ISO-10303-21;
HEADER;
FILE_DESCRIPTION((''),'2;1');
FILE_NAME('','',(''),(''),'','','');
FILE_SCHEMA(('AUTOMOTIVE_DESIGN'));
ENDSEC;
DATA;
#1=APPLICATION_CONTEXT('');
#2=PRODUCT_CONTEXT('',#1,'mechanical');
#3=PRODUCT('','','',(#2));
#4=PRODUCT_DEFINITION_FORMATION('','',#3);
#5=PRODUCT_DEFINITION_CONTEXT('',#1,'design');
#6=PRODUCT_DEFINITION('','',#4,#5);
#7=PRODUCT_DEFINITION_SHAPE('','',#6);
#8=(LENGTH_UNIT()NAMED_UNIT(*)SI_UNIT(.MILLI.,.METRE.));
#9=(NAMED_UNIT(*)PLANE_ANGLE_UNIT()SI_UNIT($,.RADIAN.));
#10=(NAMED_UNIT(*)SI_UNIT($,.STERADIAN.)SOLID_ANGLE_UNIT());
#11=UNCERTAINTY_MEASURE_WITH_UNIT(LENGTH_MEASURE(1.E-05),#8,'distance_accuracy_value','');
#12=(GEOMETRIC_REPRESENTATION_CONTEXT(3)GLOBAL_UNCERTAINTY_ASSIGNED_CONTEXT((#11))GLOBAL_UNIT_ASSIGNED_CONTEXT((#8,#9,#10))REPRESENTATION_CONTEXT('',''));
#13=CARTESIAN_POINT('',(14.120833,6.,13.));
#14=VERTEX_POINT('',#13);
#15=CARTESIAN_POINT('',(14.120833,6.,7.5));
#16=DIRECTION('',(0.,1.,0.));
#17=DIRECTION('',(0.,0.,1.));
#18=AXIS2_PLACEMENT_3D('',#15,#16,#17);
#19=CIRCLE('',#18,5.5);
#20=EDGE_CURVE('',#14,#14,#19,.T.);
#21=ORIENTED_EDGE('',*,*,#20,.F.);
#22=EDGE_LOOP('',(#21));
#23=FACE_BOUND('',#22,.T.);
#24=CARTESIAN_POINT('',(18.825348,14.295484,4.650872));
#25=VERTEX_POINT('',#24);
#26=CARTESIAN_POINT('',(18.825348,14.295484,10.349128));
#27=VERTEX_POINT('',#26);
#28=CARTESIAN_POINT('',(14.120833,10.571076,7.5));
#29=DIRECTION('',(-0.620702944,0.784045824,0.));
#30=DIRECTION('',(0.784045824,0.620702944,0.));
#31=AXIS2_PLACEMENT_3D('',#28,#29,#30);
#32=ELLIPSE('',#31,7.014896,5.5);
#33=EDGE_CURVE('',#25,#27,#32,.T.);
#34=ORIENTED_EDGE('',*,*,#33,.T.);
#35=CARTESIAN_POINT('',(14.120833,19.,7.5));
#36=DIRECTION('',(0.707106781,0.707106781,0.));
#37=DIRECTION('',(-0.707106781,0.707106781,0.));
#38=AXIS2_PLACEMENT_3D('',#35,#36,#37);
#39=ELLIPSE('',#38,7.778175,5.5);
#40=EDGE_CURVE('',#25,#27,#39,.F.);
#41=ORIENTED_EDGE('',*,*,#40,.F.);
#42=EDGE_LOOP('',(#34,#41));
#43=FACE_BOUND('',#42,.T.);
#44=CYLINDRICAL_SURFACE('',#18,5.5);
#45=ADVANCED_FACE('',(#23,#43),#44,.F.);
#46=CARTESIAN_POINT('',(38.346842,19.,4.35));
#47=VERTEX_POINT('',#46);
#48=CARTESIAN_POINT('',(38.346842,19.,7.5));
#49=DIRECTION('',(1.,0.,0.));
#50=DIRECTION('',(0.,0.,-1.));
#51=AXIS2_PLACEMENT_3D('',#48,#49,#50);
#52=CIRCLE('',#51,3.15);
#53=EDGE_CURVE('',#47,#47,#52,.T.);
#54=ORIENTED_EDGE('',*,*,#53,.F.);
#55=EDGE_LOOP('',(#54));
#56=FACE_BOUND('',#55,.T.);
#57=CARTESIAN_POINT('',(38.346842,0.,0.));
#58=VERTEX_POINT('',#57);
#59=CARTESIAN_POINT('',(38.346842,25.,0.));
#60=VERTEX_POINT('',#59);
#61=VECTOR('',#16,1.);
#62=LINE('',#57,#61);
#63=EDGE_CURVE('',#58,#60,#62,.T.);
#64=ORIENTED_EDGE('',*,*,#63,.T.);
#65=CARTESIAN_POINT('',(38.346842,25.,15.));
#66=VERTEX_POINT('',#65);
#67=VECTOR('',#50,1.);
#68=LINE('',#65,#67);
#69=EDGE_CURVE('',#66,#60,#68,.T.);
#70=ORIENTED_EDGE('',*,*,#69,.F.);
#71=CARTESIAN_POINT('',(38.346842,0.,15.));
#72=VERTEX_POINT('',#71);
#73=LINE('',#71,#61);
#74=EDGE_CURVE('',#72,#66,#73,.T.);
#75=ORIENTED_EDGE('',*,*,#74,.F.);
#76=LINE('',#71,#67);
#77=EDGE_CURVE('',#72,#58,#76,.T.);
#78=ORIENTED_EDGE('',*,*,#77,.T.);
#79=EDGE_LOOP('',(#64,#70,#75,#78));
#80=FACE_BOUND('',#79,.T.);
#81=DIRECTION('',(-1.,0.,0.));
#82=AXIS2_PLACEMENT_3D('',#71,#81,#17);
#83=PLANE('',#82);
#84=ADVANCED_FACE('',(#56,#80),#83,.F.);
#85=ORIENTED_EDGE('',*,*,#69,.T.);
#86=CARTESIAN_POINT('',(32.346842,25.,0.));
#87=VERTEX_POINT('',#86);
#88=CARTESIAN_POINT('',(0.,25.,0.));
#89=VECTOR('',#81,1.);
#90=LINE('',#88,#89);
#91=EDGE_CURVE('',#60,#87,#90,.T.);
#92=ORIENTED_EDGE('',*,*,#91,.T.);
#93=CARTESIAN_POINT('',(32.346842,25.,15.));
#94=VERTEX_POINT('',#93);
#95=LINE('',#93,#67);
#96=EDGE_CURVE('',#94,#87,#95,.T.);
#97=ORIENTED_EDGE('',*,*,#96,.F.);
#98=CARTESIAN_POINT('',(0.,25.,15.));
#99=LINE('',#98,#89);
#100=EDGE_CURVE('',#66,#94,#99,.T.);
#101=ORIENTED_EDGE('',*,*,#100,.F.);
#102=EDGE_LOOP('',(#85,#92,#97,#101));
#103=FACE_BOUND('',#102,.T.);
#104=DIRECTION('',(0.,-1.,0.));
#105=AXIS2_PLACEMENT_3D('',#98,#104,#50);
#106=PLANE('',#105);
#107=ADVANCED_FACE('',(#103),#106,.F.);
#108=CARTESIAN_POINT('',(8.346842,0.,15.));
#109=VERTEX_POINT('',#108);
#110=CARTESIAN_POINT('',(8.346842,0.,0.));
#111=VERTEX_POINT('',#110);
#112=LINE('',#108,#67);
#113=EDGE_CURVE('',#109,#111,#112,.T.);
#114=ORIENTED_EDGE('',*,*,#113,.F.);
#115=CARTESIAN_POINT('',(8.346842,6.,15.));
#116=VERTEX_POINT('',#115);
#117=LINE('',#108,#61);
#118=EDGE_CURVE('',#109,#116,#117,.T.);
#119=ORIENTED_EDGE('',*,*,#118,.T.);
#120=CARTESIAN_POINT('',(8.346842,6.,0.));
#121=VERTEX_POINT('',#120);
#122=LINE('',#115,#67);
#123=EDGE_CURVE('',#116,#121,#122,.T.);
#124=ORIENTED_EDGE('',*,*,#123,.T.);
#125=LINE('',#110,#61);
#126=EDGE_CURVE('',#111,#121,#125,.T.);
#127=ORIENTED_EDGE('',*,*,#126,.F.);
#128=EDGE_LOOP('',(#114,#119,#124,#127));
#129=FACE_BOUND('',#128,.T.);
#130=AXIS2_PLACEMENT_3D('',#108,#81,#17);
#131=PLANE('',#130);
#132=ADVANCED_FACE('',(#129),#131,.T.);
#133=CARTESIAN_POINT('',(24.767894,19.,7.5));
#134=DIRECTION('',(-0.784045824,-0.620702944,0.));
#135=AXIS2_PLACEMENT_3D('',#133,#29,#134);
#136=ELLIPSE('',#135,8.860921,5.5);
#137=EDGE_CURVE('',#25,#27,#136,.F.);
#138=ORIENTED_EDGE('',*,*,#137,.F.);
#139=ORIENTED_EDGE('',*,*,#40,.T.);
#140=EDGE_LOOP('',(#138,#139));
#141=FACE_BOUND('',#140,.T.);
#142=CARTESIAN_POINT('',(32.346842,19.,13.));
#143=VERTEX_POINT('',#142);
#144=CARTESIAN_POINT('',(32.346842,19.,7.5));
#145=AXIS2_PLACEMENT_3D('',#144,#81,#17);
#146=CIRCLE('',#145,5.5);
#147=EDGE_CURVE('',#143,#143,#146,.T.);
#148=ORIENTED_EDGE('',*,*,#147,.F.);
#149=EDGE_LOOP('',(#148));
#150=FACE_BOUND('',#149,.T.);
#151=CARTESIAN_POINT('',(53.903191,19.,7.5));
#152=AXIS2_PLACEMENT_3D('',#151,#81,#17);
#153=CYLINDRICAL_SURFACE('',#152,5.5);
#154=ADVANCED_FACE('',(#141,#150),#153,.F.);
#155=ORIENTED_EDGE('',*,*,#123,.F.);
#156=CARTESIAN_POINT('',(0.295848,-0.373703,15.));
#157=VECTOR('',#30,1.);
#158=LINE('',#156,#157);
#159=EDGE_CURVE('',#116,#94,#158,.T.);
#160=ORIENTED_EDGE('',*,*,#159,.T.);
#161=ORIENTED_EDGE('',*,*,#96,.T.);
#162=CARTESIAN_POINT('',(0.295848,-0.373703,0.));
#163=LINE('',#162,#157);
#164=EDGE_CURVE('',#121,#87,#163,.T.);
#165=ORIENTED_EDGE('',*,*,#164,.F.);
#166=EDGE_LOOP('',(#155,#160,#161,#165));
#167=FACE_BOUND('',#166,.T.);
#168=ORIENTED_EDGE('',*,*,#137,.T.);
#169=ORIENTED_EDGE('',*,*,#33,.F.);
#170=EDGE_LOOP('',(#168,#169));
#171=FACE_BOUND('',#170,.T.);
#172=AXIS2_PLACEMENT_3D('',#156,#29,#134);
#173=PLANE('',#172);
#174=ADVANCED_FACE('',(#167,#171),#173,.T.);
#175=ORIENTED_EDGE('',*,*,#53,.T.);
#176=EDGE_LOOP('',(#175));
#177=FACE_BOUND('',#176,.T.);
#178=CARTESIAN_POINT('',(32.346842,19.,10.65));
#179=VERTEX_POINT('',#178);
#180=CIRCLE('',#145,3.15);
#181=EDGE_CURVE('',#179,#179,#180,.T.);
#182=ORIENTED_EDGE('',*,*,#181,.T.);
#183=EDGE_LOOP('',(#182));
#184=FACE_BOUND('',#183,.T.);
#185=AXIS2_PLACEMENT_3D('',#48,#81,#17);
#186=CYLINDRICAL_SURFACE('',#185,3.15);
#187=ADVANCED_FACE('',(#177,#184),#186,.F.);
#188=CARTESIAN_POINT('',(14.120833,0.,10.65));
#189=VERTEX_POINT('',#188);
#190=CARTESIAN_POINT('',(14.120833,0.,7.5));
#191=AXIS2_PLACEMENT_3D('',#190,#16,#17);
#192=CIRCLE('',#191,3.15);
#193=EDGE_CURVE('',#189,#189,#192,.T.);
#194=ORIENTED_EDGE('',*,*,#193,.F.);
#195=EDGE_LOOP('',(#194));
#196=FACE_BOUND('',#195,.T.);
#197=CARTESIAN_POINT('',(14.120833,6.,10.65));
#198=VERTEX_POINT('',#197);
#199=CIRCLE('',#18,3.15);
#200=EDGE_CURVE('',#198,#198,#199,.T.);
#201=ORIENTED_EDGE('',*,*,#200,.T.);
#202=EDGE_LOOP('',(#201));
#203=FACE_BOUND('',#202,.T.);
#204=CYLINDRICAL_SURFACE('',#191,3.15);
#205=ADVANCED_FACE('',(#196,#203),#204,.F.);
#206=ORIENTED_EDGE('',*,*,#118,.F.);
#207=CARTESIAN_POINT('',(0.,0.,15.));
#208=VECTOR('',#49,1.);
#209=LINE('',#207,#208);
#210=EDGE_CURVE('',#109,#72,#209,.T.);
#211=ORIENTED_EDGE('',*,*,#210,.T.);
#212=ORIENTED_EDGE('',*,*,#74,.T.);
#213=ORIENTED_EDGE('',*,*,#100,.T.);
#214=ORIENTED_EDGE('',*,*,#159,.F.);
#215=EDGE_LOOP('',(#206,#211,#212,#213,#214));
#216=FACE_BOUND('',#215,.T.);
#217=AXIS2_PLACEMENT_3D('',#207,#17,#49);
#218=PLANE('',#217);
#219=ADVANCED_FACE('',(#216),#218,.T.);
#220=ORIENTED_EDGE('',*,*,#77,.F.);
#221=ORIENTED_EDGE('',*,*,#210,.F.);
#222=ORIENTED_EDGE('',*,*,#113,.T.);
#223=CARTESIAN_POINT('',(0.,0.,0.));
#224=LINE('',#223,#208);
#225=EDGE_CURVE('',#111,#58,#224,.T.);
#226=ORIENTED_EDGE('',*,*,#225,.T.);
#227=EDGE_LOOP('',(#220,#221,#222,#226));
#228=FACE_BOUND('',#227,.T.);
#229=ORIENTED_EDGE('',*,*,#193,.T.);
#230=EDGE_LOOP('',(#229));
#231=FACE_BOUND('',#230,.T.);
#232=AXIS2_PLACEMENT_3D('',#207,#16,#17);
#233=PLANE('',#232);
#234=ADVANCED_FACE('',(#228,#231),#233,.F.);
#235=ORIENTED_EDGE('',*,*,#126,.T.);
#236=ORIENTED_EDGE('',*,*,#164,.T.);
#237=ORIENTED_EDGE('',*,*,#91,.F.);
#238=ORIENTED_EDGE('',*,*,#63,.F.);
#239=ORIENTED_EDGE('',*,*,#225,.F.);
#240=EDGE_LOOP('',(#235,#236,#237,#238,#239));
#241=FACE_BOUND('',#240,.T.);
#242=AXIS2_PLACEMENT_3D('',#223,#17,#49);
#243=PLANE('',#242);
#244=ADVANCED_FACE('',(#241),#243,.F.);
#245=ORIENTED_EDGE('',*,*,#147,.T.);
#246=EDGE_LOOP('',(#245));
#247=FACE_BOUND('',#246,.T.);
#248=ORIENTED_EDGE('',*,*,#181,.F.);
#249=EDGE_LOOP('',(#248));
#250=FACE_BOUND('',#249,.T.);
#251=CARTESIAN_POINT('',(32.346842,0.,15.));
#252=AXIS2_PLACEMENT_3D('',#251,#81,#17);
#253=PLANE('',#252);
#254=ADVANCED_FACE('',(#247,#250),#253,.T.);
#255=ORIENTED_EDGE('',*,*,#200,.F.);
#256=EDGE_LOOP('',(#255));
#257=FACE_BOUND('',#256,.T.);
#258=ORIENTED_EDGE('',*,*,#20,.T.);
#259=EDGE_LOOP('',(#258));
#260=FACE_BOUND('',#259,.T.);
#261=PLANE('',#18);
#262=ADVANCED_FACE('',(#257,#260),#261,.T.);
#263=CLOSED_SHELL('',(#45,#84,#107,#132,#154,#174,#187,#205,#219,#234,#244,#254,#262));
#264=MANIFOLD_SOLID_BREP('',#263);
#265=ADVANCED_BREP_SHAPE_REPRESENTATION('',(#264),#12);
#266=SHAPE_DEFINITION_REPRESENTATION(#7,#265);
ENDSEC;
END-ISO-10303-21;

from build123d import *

# Parameters (mm, degrees)
BOSS_EXTRUDE2_DEPTH = 15
SKETCH4_R           = 3.15
CUT_EXTRUDE1_DEPTH  = 46.776415929
SKETCH4_3_R         = 5.5
SKETCH4_3_R_2       = 3.15
CUT_EXTRUDE2_DEPTH  = 14
SKETCH6_R           = 3.15
CUT_EXTRUDE3_DEPTH  = 49.171363436
SKETCH6_3_R         = 5.5
SKETCH6_3_R_2       = 3.15
CUT_EXTRUDE4_DEPTH  = 32.34684153


with BuildPart() as part:
    # Sketch3 → Boss-Extrude2 (new body)
    with BuildSketch(Plane.XY):
        Polygon((8.34684153, 0), (38.34684153, 0), (38.34684153, 25), (32.34684153, 25), (8.34684153, 6), align=None)
    extrude(amount=BOSS_EXTRUDE2_DEPTH)

    # Sketch4 → Cut-Extrude1 (cut, through all)
    with BuildSketch(Plane(origin=(0, 20, 0), x_dir=(1, 0, 0), z_dir=(0, 1, 0))):
        with Locations(Location((14.12083253, -7.5, 0), (0, 0, 270))):
            Circle(SKETCH4_R)
    extrude(amount=-CUT_EXTRUDE1_DEPTH, mode=Mode.SUBTRACT)

    # Sketch4<3> → Cut-Extrude2 (cut)
    with BuildSketch(Plane(origin=(0, 20, 0), x_dir=(1, 0, 0), z_dir=(0, 1, 0))):
        with Locations(Location((14.12083253, -7.5, 0), (0, 0, 270))):
            Circle(SKETCH4_3_R)
        with Locations(Location((14.12083253, -7.5, 0), (0, 0, 270))):
            Circle(SKETCH4_3_R_2, mode=Mode.SUBTRACT)
    extrude(amount=-CUT_EXTRUDE2_DEPTH, mode=Mode.SUBTRACT)

    # Sketch6 → Cut-Extrude3 (cut, through all)
    with BuildSketch(Plane(origin=(0, 0, 0), x_dir=(0, 0, -1), z_dir=(1, 0, 0))):
        with Locations(Location((-7.5, 19, 0), (0, 0, 270))):
            Circle(SKETCH6_R)
    extrude(amount=CUT_EXTRUDE3_DEPTH, mode=Mode.SUBTRACT)

    # Sketch6<3> → Cut-Extrude4 (cut)
    with BuildSketch(Plane(origin=(0, 0, 0), x_dir=(0, 0, -1), z_dir=(1, 0, 0))):
        with Locations(Location((-7.5, 19, 0), (0, 0, 180))):
            Circle(SKETCH6_3_R)
        with Locations(Location((-7.5, 19, 0), (0, 0, 180))):
            Circle(SKETCH6_3_R_2, mode=Mode.SUBTRACT)
    extrude(amount=CUT_EXTRUDE4_DEPTH, mode=Mode.SUBTRACT)


solid = part.part
